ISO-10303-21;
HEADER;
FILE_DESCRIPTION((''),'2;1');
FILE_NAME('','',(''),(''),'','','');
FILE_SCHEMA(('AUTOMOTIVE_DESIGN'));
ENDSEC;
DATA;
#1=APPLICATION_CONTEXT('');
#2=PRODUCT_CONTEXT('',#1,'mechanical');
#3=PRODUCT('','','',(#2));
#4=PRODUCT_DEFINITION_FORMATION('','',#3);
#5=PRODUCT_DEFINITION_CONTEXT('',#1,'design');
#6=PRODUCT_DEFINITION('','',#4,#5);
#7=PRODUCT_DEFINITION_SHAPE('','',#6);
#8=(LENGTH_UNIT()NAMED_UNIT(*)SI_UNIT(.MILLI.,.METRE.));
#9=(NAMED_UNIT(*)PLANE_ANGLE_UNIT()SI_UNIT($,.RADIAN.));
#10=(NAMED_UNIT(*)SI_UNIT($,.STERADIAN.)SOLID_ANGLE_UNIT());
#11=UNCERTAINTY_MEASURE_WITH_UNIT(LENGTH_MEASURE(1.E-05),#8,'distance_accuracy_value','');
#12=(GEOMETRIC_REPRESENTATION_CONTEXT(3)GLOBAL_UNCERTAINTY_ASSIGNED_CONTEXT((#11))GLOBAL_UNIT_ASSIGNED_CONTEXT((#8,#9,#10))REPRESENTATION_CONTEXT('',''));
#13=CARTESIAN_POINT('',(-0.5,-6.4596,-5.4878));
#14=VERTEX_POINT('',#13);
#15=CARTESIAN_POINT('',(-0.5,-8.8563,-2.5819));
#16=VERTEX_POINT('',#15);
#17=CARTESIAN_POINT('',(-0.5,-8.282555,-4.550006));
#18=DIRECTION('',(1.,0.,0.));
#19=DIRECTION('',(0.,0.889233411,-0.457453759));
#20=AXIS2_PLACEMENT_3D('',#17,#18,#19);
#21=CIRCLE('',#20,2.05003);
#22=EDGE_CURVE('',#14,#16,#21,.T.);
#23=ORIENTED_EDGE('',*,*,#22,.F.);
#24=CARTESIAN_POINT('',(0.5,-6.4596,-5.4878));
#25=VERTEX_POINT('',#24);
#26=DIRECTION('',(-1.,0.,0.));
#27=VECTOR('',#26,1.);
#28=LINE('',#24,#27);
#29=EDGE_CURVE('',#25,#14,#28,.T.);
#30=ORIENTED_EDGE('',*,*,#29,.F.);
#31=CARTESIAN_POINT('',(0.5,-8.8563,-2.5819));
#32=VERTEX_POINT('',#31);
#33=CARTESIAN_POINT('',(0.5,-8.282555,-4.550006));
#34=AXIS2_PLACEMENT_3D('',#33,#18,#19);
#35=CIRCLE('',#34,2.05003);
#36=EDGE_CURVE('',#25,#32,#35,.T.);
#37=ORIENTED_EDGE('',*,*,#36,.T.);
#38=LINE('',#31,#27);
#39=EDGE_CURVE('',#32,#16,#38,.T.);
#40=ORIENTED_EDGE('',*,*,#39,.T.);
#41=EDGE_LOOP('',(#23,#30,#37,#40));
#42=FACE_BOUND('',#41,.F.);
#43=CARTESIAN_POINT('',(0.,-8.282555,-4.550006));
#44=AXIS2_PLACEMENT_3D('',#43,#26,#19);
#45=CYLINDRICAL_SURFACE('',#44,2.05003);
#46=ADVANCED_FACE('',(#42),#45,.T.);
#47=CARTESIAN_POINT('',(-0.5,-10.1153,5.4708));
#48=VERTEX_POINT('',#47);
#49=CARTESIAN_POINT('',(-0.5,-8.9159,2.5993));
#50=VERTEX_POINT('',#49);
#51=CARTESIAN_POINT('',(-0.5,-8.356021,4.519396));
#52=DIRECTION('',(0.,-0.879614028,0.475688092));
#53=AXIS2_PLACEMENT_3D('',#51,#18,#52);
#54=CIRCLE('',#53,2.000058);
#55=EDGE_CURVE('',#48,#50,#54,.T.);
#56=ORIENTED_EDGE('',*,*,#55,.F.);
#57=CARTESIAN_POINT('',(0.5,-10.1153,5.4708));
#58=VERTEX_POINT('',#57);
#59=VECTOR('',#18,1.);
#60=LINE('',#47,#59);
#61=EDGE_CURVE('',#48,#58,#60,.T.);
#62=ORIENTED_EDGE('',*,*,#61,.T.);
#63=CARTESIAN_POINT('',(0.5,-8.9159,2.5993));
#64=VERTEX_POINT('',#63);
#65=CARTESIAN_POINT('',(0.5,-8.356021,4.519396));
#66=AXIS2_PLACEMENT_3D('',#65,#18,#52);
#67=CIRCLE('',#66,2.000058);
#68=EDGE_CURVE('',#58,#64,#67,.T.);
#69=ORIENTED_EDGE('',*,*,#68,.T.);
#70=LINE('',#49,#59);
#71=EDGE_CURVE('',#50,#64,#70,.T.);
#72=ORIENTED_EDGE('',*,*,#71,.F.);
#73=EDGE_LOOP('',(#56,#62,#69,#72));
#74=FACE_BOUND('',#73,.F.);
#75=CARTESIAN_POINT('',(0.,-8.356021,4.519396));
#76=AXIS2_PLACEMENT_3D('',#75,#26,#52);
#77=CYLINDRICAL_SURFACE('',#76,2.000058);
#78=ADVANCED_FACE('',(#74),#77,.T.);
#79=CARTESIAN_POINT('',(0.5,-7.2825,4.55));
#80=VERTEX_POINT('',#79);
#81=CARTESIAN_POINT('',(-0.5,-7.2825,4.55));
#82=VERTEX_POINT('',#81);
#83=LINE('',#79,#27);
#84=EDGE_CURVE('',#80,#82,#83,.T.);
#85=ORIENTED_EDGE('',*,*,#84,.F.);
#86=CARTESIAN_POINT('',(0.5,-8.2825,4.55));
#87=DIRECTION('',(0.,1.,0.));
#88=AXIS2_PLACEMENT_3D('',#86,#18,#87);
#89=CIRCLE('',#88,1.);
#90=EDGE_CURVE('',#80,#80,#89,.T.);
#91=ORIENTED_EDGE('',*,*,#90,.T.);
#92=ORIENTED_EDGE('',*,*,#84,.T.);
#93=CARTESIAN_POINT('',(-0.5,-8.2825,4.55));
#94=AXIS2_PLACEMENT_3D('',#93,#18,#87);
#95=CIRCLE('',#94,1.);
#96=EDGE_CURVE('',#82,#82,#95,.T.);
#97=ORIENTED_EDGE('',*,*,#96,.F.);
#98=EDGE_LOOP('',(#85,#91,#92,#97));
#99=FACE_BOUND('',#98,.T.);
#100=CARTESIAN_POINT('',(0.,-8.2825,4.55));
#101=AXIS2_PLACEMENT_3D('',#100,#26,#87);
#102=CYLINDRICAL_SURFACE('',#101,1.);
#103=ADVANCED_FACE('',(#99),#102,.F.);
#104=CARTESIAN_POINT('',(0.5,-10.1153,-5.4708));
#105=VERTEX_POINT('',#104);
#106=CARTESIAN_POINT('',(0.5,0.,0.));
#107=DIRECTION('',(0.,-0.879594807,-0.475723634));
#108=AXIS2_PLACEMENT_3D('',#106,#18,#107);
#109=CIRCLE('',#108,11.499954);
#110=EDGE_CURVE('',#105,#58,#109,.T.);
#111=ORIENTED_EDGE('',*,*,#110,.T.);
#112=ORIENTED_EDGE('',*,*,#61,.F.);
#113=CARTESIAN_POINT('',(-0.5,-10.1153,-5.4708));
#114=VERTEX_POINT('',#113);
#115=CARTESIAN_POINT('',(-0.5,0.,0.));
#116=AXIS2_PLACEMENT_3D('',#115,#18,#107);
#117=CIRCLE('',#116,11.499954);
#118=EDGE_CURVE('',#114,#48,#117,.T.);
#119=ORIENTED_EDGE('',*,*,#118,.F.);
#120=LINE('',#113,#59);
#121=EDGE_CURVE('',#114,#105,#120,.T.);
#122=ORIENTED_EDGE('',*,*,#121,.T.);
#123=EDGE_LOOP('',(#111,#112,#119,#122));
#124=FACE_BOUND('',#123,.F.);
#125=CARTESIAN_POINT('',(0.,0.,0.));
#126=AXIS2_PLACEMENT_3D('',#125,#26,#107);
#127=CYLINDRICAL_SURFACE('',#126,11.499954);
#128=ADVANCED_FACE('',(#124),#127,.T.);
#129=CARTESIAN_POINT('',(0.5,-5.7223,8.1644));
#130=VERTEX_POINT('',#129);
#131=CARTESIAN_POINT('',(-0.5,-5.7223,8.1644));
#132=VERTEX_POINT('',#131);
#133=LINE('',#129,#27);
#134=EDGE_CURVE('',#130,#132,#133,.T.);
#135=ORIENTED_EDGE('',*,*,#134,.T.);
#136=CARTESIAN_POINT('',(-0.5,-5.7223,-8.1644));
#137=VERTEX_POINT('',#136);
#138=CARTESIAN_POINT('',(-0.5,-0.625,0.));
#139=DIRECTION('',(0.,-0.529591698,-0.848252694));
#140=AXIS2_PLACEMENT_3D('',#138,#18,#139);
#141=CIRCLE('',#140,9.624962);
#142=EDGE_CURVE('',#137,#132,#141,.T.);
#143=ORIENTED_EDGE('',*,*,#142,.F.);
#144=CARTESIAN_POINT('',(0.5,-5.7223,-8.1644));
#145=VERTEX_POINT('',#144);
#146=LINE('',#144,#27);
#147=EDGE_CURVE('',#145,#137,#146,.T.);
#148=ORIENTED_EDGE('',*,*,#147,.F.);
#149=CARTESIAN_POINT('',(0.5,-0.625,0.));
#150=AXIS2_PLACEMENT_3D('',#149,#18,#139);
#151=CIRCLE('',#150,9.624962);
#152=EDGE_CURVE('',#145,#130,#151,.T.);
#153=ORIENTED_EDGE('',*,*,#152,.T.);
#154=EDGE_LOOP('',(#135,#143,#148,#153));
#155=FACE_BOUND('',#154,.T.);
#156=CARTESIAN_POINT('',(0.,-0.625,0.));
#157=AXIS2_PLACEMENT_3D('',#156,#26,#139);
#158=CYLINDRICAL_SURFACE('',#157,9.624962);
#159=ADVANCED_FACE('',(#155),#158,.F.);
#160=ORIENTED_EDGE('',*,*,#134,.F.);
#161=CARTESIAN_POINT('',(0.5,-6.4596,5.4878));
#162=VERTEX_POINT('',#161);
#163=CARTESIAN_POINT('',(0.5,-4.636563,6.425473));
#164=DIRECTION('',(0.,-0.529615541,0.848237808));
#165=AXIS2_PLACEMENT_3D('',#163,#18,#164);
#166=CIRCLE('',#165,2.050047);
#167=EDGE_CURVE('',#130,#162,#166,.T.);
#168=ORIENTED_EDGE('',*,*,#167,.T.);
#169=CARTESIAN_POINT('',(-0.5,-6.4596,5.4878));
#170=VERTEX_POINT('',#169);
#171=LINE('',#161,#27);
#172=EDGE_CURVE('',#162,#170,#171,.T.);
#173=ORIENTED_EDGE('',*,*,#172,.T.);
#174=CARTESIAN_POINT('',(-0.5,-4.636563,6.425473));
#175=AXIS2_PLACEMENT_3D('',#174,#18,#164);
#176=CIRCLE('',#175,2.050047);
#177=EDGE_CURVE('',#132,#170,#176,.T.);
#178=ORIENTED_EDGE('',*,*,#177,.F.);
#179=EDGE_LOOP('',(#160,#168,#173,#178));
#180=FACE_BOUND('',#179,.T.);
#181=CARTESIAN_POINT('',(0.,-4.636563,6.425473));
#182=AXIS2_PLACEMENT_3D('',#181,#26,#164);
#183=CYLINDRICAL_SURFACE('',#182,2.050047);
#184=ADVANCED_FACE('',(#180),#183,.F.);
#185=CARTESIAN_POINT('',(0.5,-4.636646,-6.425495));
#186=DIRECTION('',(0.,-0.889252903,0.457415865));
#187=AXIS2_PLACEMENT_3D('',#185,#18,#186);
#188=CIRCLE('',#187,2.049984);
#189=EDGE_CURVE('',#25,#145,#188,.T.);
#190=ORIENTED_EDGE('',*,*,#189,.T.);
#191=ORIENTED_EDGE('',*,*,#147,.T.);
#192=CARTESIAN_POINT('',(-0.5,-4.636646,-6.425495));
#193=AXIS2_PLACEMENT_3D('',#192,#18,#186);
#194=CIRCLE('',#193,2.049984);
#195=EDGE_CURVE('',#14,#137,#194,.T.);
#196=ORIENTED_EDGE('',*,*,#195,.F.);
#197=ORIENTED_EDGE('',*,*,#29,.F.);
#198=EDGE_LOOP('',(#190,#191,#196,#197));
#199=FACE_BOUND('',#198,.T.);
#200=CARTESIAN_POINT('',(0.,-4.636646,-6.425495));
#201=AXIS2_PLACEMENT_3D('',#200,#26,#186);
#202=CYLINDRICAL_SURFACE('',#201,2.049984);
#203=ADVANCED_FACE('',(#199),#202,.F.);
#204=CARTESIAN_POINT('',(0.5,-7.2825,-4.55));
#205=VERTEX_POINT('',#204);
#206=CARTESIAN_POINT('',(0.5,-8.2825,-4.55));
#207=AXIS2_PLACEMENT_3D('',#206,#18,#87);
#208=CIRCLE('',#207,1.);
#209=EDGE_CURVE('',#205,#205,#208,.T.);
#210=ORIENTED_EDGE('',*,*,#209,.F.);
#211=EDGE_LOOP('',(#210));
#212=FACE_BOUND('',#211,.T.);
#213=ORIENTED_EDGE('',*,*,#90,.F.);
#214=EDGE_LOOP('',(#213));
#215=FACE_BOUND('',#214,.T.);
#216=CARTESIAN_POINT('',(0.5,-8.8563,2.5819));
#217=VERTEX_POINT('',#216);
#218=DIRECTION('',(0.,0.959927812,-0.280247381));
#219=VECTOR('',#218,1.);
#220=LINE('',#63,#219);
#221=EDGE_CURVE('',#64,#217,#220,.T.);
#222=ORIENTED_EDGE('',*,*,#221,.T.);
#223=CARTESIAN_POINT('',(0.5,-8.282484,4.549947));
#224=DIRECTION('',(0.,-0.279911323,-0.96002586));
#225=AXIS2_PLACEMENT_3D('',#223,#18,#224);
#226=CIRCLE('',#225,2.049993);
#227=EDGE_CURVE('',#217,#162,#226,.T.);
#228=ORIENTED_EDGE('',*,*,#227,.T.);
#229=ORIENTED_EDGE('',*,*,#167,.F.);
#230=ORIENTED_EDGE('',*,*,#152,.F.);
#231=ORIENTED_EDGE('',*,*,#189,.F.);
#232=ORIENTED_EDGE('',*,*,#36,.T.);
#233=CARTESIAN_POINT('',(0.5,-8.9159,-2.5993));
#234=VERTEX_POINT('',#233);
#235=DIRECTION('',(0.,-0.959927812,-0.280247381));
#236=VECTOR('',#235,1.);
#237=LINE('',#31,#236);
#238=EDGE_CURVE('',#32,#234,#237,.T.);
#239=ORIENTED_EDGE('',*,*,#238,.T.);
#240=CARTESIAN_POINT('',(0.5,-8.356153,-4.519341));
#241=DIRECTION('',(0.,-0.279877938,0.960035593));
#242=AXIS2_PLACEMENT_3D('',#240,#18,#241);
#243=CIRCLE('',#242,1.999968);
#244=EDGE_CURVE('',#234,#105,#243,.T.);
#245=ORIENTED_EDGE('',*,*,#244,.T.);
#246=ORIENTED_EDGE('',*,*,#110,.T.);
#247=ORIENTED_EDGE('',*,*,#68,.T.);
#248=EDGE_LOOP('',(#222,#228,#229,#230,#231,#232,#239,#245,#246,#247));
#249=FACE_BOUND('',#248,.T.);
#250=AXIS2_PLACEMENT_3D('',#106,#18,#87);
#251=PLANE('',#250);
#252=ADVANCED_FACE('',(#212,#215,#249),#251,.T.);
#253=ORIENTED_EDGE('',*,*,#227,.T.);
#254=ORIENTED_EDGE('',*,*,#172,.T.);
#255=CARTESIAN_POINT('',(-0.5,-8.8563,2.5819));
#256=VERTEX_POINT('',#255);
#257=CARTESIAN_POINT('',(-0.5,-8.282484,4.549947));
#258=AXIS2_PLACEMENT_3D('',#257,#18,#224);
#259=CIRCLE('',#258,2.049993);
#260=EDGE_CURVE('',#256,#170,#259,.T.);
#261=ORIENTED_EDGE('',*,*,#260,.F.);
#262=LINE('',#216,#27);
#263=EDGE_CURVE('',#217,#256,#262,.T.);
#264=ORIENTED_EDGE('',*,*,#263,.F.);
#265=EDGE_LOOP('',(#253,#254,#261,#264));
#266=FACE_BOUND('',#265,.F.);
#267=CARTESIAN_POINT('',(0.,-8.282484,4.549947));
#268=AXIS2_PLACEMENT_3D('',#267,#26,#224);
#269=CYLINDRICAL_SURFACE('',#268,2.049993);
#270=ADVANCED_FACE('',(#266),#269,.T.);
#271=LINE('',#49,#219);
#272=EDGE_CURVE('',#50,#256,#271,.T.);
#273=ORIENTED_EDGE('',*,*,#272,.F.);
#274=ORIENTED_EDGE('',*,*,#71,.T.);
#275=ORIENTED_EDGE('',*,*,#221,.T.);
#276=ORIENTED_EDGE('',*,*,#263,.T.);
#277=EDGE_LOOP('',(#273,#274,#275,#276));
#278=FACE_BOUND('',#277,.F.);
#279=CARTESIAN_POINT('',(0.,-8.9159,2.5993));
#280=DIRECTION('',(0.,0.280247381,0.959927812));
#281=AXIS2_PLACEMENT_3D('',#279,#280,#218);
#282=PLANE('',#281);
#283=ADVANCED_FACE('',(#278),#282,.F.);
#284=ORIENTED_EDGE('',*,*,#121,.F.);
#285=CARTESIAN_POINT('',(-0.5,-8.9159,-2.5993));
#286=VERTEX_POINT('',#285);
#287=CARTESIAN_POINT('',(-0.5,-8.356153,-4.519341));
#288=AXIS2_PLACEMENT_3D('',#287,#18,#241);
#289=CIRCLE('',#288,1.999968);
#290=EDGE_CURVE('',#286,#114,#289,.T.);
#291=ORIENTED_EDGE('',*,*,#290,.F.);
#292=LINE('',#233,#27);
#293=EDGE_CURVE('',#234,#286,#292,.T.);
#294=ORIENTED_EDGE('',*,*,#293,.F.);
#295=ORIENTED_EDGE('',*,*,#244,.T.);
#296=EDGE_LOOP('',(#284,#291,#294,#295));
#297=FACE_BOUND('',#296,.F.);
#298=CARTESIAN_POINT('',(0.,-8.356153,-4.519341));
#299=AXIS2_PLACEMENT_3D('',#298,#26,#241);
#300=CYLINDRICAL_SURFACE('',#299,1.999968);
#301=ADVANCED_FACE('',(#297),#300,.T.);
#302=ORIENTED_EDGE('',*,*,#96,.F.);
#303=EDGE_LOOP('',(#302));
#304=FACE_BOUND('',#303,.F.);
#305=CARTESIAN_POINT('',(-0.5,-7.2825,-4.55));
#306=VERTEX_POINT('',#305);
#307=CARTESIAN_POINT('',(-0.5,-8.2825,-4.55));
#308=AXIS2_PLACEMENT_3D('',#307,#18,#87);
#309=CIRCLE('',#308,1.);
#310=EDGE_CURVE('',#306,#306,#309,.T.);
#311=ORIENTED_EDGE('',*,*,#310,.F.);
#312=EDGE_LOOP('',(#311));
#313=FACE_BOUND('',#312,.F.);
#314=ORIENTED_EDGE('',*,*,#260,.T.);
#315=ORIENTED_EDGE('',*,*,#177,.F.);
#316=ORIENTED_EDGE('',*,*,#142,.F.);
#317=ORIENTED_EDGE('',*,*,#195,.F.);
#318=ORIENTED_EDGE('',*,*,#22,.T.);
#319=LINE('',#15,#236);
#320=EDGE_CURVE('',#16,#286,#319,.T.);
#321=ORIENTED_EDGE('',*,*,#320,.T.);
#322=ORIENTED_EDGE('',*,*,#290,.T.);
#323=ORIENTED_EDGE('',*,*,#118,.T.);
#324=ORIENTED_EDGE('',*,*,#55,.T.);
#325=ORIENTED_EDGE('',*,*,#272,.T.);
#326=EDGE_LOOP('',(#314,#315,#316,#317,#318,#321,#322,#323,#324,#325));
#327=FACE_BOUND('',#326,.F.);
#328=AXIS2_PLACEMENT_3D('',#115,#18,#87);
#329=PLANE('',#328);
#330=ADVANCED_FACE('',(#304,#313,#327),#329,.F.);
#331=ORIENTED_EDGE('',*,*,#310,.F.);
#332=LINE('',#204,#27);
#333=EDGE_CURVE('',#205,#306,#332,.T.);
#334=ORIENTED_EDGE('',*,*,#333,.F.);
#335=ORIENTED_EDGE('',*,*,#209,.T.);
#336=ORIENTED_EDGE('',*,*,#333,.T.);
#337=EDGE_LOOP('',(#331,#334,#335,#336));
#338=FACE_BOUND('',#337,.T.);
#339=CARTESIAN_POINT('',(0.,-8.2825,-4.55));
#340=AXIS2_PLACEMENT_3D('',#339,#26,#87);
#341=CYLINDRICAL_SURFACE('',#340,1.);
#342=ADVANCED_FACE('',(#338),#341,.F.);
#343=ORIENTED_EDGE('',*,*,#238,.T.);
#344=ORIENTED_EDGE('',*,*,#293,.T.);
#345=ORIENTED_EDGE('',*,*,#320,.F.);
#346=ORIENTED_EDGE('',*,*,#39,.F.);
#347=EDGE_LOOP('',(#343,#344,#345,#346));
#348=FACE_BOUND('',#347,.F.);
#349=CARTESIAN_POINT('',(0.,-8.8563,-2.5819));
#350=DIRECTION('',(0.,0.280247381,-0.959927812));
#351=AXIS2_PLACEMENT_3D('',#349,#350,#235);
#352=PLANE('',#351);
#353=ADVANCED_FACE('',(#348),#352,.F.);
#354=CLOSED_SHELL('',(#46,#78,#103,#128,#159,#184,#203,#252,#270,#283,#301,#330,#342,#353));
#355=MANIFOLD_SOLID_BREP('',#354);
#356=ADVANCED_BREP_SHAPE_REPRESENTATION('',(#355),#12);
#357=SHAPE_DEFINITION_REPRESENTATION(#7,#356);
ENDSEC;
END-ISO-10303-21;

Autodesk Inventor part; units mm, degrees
sketch "Sketch_3" plane through (0, 0, 0) normal (1, 0, 0) x (0, 1, 0)
  arc A0 (-10.1153, -5.4708) -> (-10.1153, 5.4708) centre (0, 0) ccw
  arc A1 (-10.1153, 5.4708) -> (-8.9159, 2.5993) centre (-8.3561, 4.5194) ccw
  line L0 (-8.9159, 2.5993) -> (-8.8563, 2.5819)
  arc A2 (-8.8563, 2.5819) -> (-6.4596, 5.4878) centre (-8.2825, 4.55) ccw
  arc A3 (-5.7223, 8.1644) -> (-6.4596, 5.4878) centre (-4.6366, 6.4255) ccw
  arc A4 (-5.7223, -8.1644) -> (-5.7223, 8.1644) centre (-0.625, 0) ccw
  arc A5 (-6.4596, -5.4878) -> (-5.7223, -8.1644) centre (-4.6366, -6.4255) ccw
  arc A6 (-6.4596, -5.4878) -> (-8.8563, -2.5819) centre (-8.2825, -4.55) ccw
  line L1 (-8.8563, -2.5819) -> (-8.9159, -2.5993)
  arc A7 (-8.9159, -2.5993) -> (-10.1153, -5.4708) centre (-8.3561, -4.5194) ccw
  circle A8 centre (-8.2825, -4.55) radius 1
  circle A9 centre (-8.2825, 4.55) radius 1
extrude "Extrusion1" add sketch "Sketch_3" along normal mid plane 1
ref_plane "rr_XY" through (-0.5, 0, 0) normal (1, 0, 0) x (0, 0, -1)
ref_plane "rr_YZ" through (-0.5, 0, 0) normal (0, 0, -1) x (0, 1, 0)
ref_plane "rr_ZX" through (-0.5, 0, 0) normal (0, 1, 0) x (1, 0, 0)
properties part number "RRING-C-INT-22"
